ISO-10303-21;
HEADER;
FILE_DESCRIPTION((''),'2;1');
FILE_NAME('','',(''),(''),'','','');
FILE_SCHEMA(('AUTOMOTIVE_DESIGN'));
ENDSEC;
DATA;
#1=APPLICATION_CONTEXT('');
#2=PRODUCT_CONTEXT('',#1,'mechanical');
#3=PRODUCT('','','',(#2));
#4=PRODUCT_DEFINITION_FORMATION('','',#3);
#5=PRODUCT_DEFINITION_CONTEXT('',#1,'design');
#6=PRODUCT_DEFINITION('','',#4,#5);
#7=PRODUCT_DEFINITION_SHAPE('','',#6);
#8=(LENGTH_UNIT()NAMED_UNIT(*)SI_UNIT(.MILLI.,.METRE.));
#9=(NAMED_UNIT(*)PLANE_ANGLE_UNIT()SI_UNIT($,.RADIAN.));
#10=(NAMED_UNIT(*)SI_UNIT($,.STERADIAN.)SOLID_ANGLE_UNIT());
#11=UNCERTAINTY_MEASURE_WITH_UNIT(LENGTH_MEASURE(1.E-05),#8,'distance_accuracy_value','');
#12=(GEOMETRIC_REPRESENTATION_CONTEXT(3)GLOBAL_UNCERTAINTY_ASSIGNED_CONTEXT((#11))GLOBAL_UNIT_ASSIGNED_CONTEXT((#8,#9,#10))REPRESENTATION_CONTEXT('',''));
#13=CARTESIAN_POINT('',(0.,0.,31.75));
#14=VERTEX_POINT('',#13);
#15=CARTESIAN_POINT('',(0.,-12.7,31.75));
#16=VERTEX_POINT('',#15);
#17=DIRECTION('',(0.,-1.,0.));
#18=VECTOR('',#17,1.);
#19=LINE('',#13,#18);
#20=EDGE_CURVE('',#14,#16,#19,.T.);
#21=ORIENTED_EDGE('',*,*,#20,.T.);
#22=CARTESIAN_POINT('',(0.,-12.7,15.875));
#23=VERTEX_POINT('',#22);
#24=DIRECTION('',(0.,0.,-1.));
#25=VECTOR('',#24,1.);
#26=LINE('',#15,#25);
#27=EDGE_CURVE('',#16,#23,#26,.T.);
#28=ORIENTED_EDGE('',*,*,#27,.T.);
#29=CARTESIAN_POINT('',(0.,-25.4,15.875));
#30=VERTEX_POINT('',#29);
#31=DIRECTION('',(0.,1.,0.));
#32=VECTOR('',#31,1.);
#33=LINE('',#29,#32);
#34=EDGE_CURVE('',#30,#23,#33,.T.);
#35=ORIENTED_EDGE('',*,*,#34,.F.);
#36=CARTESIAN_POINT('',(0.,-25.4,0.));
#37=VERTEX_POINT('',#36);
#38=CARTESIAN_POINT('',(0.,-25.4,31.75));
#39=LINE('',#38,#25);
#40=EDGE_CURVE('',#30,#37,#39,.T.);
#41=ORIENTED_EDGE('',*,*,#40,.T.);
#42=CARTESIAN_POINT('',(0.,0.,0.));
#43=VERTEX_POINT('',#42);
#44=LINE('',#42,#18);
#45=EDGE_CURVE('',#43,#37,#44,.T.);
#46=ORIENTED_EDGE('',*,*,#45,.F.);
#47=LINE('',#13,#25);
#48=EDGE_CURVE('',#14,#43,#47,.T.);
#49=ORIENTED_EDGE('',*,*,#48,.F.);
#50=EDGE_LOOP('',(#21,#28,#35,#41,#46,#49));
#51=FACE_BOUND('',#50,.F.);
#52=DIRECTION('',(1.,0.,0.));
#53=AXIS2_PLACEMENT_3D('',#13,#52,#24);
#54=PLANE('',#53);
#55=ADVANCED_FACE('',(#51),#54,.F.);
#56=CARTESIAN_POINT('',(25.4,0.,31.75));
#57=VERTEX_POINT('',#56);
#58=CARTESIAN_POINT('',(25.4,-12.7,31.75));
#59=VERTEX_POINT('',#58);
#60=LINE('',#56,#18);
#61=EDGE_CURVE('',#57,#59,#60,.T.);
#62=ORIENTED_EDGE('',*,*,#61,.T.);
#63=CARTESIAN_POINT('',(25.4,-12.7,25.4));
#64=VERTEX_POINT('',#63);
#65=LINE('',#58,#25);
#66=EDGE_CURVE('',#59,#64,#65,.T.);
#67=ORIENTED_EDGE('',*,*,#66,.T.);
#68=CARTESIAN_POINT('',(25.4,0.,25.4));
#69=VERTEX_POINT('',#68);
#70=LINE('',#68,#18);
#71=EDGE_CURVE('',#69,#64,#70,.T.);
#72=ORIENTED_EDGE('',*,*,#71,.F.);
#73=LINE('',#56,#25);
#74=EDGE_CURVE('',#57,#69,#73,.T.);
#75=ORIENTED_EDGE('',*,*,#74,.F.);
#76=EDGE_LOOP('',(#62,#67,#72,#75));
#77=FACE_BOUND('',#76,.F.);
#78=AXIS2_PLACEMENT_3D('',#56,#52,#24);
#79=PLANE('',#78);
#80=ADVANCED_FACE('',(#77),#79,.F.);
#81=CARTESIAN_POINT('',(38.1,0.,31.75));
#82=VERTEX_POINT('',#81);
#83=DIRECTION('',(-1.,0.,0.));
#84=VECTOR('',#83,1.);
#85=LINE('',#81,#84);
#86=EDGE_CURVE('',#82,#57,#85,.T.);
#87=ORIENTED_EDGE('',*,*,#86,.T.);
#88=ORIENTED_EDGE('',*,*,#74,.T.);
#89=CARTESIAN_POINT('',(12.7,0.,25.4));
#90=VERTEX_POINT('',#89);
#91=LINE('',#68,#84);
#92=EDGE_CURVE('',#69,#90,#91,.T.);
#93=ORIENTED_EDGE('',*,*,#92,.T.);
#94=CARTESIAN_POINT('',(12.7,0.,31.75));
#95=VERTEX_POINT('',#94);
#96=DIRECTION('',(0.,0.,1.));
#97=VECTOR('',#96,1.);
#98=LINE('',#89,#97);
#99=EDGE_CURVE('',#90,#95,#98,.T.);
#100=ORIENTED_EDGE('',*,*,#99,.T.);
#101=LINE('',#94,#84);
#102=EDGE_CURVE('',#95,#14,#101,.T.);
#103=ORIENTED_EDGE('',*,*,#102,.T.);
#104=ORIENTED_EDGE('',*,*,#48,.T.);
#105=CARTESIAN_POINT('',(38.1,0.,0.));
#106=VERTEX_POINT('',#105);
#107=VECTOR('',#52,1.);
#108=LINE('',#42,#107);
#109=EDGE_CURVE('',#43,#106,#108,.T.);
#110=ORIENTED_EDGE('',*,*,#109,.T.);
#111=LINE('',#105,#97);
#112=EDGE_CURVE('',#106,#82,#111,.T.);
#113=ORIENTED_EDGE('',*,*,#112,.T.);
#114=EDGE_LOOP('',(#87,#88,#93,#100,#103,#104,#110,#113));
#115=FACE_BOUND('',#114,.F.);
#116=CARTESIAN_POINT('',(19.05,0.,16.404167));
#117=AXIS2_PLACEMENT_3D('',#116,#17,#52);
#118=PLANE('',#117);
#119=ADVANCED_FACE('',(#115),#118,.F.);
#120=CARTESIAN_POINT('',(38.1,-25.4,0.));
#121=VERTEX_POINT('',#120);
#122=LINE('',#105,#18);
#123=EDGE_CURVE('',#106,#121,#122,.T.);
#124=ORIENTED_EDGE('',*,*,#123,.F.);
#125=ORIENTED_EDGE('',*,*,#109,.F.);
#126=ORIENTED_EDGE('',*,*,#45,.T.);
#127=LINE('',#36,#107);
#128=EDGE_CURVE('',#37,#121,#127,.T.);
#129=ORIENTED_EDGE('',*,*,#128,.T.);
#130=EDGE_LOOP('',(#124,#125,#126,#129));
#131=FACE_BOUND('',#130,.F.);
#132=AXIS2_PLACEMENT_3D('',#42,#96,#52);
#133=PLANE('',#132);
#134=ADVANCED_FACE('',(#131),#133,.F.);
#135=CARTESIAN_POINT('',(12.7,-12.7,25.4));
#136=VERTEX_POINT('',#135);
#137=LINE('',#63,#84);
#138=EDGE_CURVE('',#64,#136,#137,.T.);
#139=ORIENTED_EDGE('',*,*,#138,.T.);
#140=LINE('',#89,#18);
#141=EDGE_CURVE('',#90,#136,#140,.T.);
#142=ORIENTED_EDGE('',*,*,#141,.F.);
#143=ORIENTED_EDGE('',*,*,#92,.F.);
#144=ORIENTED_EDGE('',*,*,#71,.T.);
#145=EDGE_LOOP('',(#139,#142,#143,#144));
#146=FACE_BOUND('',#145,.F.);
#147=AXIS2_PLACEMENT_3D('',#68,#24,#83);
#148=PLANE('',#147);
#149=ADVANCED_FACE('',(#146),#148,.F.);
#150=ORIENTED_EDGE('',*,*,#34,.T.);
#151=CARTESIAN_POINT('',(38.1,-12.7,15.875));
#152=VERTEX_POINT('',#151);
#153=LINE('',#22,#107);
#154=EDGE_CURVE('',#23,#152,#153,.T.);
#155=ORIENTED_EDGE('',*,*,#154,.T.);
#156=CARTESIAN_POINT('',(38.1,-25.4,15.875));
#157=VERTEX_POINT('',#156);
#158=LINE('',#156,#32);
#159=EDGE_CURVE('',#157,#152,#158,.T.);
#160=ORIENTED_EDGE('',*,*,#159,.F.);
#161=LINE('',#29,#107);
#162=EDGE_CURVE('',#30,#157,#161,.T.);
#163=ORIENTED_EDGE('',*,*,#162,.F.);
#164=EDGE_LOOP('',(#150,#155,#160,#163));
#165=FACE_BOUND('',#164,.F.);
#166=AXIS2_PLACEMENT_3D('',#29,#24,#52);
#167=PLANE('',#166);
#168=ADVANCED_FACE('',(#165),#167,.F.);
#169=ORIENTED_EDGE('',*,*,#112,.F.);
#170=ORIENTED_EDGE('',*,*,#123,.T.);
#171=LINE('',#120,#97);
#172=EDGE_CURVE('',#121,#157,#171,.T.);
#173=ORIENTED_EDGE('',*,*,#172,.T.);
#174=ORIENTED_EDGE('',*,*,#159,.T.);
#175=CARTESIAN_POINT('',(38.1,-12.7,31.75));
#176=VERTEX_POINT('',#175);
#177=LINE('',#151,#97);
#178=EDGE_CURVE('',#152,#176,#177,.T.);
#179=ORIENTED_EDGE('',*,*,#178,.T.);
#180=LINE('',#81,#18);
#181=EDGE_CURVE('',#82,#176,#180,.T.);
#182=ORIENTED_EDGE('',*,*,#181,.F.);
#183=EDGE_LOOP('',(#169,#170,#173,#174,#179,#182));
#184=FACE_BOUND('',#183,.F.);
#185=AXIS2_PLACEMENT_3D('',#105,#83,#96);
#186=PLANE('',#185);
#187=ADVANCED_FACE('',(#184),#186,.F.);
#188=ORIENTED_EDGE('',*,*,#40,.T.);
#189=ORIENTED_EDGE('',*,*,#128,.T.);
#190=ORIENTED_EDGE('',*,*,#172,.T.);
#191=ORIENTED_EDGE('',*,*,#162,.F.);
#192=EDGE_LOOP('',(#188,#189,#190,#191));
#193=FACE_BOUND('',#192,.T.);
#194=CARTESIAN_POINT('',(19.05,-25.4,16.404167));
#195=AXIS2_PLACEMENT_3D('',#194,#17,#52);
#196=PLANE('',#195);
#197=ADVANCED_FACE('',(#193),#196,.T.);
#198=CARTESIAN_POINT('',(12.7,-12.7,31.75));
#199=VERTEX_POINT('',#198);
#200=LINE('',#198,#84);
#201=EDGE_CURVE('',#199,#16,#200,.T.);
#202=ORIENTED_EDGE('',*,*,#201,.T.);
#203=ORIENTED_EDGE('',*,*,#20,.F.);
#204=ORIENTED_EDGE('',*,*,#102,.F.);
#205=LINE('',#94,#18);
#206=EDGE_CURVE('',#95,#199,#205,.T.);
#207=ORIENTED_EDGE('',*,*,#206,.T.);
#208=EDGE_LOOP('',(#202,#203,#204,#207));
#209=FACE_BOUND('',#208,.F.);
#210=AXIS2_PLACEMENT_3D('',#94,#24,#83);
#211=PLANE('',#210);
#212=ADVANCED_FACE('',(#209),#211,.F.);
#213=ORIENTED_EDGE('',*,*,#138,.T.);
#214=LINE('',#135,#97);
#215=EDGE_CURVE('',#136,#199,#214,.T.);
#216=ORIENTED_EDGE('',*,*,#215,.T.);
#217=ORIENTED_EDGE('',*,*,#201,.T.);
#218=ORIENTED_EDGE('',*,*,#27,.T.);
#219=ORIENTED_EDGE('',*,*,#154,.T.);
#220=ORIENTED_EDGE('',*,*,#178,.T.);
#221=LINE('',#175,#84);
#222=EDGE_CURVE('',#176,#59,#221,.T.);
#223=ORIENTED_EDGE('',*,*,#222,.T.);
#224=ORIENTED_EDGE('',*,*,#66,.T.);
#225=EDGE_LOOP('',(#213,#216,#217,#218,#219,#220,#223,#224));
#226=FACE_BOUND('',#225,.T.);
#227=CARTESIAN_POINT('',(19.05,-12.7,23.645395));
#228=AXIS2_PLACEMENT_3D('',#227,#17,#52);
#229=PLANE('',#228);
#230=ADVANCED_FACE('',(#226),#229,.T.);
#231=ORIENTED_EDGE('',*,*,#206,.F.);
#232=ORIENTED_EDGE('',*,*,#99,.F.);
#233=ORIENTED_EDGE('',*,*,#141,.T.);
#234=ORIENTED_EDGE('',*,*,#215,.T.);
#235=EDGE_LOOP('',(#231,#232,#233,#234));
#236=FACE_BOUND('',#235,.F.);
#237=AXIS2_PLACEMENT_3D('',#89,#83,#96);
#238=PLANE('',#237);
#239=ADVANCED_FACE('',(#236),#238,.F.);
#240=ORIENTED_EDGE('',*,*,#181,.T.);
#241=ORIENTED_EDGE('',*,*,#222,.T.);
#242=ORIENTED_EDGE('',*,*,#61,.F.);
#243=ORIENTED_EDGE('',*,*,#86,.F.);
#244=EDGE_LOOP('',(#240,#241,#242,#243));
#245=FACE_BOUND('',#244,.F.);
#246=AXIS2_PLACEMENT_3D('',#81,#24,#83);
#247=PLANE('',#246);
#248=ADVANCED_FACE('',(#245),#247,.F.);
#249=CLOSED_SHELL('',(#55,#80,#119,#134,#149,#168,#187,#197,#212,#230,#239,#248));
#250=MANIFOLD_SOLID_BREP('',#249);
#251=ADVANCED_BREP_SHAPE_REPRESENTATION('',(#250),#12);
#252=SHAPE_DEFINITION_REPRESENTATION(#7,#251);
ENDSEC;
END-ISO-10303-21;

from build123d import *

# Parameters (mm, degrees)
F1_DEPTH = 25.4
F3_DEPTH = 12.7


with BuildPart() as f1:
    # F0 (on Front) → F1 (new body)
    with BuildSketch(Plane.XZ):
        Polygon((0, 31.75), (0, 0), (38.1, 0), (38.1, 31.75), (25.4, 31.75), (25.4, 25.4), (12.7, 25.4), (12.7, 31.75), align=None)
    extrude(amount=F1_DEPTH)

    # F2 (on face) → F3 (cut)
    with BuildSketch(Plane.XZ.offset(25.4)):
        Polygon((0, 31.75), (0, 15.875), (38.1, 15.875), (38.1, 31.75), (25.4, 31.75), (25.4, 25.4), (12.7, 25.4), (12.7, 31.75), align=None)
    extrude(amount=-F3_DEPTH, mode=Mode.SUBTRACT)


solid = f1.part
